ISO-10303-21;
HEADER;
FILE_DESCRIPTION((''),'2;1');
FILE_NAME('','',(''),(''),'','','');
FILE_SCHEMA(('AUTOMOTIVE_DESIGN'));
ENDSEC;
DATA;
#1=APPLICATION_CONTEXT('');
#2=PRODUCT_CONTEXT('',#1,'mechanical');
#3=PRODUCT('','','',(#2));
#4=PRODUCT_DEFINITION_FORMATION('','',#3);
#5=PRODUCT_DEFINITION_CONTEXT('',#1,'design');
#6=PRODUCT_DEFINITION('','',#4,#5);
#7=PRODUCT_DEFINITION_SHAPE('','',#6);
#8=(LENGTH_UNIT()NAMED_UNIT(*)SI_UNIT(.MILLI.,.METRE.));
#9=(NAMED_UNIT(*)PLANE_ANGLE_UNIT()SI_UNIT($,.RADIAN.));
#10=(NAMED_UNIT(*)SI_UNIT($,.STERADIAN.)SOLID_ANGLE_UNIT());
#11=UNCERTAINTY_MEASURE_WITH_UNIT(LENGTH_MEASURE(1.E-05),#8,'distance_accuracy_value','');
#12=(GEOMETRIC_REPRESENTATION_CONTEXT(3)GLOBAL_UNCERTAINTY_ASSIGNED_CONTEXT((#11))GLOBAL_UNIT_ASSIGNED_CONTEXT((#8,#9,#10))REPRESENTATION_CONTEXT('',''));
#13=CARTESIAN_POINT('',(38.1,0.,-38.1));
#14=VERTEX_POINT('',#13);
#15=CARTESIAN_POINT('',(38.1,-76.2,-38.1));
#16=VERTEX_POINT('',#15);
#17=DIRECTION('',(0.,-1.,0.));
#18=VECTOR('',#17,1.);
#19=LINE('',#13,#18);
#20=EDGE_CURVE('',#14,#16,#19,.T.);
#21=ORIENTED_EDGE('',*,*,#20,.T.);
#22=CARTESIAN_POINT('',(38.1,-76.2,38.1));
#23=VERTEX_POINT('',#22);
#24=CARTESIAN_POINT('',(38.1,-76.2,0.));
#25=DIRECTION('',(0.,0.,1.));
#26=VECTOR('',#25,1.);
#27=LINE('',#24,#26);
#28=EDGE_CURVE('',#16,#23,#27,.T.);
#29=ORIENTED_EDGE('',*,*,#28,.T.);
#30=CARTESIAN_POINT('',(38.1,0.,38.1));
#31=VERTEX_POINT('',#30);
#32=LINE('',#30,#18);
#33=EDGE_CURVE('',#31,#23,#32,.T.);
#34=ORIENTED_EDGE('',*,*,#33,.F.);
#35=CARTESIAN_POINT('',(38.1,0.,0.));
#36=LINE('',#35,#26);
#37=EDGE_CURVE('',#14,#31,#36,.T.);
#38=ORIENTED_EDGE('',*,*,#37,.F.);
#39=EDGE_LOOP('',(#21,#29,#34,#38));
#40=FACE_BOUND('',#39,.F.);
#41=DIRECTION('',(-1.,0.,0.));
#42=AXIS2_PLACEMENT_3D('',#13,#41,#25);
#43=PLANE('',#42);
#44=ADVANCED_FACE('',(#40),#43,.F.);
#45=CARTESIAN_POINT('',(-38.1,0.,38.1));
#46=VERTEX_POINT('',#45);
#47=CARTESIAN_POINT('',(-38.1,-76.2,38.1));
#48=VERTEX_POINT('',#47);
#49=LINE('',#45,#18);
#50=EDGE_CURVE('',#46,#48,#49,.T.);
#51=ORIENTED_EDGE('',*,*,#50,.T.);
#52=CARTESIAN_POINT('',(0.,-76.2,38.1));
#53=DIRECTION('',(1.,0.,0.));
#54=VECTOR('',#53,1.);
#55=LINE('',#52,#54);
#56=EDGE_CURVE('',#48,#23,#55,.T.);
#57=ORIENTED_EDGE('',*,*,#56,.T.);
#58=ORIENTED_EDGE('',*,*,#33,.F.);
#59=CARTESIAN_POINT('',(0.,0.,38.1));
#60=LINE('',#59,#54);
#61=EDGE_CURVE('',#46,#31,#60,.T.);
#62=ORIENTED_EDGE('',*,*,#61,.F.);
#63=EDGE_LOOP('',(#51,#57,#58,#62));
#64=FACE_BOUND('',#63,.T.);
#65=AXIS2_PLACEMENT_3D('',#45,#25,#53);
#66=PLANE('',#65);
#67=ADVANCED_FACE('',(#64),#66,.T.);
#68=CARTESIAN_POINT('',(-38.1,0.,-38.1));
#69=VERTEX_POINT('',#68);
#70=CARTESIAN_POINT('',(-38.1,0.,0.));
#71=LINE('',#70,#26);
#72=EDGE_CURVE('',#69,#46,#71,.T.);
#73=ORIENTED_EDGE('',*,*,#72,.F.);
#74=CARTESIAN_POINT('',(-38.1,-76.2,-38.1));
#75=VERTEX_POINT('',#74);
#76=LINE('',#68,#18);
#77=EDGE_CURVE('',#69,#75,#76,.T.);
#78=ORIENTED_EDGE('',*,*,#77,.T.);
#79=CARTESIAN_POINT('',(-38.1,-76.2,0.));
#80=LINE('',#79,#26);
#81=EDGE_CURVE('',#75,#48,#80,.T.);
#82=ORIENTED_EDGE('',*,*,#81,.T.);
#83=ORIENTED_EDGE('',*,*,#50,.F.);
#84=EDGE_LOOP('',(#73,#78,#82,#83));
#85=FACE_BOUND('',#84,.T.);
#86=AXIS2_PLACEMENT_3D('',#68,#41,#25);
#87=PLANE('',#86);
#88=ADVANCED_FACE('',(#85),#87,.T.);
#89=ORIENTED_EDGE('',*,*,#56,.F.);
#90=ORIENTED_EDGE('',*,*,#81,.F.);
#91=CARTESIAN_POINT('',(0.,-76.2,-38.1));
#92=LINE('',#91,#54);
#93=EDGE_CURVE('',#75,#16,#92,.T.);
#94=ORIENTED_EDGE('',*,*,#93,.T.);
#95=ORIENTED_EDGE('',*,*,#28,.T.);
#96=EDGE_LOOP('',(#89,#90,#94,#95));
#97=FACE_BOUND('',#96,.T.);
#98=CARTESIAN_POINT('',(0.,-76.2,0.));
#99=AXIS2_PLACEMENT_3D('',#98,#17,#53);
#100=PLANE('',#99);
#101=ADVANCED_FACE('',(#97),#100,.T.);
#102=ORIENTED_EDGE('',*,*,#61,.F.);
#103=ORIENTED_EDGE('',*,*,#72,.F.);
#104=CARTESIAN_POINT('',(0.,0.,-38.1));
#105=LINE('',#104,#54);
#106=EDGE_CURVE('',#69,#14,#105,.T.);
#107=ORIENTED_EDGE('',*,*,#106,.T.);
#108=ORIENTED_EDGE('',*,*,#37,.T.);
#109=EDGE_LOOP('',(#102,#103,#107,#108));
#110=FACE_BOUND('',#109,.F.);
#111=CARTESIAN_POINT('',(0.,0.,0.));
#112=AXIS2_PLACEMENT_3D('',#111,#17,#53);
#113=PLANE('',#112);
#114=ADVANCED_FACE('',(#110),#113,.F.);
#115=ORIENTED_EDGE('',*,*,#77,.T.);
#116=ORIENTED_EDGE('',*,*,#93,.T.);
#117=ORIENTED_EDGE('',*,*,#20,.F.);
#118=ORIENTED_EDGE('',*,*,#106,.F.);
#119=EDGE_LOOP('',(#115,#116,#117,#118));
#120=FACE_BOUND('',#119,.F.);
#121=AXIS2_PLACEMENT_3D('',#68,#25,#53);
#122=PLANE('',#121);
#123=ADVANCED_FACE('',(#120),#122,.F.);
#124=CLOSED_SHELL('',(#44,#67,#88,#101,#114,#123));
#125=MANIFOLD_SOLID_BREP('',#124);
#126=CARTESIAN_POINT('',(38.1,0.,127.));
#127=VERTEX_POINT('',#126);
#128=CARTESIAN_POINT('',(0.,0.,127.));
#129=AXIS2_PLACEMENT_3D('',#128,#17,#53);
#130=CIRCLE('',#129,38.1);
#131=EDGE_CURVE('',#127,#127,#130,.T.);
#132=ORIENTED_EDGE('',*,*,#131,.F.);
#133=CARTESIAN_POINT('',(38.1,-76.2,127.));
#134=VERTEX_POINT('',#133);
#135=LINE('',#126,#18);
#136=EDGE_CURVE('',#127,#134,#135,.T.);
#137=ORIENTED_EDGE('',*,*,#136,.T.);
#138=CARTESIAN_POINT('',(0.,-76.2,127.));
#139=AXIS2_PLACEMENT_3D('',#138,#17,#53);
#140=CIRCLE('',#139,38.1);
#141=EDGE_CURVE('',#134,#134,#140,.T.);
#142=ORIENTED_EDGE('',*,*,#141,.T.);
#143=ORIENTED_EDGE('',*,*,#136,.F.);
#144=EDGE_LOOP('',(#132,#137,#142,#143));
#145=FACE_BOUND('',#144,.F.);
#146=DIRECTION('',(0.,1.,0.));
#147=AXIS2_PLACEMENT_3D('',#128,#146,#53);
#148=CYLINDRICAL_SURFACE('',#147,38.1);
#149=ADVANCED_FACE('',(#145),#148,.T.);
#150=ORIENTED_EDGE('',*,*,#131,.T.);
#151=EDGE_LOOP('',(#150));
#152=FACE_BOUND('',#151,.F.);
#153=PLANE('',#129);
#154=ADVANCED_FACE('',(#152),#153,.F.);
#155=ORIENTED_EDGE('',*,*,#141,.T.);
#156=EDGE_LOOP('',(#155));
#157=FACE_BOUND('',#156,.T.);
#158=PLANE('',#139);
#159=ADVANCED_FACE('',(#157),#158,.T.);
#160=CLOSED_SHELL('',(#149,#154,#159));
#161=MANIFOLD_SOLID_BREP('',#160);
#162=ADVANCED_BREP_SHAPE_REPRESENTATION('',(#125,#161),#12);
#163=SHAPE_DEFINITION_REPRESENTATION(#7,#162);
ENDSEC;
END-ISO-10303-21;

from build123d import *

# Parameters (mm, degrees)
F0_W     = 76.2
F0_H     = 76.2
F0_R     = 38.1
F1_DEPTH = 76.2


with BuildPart() as f1:
    # F0 (on Front) → F1 (new body)
    with BuildSketch(Plane.XZ):
        Rectangle(F0_W, F0_H)
        with Locations((0, 127)):
            Circle(F0_R)
    extrude(amount=F1_DEPTH)


solid = f1.part
